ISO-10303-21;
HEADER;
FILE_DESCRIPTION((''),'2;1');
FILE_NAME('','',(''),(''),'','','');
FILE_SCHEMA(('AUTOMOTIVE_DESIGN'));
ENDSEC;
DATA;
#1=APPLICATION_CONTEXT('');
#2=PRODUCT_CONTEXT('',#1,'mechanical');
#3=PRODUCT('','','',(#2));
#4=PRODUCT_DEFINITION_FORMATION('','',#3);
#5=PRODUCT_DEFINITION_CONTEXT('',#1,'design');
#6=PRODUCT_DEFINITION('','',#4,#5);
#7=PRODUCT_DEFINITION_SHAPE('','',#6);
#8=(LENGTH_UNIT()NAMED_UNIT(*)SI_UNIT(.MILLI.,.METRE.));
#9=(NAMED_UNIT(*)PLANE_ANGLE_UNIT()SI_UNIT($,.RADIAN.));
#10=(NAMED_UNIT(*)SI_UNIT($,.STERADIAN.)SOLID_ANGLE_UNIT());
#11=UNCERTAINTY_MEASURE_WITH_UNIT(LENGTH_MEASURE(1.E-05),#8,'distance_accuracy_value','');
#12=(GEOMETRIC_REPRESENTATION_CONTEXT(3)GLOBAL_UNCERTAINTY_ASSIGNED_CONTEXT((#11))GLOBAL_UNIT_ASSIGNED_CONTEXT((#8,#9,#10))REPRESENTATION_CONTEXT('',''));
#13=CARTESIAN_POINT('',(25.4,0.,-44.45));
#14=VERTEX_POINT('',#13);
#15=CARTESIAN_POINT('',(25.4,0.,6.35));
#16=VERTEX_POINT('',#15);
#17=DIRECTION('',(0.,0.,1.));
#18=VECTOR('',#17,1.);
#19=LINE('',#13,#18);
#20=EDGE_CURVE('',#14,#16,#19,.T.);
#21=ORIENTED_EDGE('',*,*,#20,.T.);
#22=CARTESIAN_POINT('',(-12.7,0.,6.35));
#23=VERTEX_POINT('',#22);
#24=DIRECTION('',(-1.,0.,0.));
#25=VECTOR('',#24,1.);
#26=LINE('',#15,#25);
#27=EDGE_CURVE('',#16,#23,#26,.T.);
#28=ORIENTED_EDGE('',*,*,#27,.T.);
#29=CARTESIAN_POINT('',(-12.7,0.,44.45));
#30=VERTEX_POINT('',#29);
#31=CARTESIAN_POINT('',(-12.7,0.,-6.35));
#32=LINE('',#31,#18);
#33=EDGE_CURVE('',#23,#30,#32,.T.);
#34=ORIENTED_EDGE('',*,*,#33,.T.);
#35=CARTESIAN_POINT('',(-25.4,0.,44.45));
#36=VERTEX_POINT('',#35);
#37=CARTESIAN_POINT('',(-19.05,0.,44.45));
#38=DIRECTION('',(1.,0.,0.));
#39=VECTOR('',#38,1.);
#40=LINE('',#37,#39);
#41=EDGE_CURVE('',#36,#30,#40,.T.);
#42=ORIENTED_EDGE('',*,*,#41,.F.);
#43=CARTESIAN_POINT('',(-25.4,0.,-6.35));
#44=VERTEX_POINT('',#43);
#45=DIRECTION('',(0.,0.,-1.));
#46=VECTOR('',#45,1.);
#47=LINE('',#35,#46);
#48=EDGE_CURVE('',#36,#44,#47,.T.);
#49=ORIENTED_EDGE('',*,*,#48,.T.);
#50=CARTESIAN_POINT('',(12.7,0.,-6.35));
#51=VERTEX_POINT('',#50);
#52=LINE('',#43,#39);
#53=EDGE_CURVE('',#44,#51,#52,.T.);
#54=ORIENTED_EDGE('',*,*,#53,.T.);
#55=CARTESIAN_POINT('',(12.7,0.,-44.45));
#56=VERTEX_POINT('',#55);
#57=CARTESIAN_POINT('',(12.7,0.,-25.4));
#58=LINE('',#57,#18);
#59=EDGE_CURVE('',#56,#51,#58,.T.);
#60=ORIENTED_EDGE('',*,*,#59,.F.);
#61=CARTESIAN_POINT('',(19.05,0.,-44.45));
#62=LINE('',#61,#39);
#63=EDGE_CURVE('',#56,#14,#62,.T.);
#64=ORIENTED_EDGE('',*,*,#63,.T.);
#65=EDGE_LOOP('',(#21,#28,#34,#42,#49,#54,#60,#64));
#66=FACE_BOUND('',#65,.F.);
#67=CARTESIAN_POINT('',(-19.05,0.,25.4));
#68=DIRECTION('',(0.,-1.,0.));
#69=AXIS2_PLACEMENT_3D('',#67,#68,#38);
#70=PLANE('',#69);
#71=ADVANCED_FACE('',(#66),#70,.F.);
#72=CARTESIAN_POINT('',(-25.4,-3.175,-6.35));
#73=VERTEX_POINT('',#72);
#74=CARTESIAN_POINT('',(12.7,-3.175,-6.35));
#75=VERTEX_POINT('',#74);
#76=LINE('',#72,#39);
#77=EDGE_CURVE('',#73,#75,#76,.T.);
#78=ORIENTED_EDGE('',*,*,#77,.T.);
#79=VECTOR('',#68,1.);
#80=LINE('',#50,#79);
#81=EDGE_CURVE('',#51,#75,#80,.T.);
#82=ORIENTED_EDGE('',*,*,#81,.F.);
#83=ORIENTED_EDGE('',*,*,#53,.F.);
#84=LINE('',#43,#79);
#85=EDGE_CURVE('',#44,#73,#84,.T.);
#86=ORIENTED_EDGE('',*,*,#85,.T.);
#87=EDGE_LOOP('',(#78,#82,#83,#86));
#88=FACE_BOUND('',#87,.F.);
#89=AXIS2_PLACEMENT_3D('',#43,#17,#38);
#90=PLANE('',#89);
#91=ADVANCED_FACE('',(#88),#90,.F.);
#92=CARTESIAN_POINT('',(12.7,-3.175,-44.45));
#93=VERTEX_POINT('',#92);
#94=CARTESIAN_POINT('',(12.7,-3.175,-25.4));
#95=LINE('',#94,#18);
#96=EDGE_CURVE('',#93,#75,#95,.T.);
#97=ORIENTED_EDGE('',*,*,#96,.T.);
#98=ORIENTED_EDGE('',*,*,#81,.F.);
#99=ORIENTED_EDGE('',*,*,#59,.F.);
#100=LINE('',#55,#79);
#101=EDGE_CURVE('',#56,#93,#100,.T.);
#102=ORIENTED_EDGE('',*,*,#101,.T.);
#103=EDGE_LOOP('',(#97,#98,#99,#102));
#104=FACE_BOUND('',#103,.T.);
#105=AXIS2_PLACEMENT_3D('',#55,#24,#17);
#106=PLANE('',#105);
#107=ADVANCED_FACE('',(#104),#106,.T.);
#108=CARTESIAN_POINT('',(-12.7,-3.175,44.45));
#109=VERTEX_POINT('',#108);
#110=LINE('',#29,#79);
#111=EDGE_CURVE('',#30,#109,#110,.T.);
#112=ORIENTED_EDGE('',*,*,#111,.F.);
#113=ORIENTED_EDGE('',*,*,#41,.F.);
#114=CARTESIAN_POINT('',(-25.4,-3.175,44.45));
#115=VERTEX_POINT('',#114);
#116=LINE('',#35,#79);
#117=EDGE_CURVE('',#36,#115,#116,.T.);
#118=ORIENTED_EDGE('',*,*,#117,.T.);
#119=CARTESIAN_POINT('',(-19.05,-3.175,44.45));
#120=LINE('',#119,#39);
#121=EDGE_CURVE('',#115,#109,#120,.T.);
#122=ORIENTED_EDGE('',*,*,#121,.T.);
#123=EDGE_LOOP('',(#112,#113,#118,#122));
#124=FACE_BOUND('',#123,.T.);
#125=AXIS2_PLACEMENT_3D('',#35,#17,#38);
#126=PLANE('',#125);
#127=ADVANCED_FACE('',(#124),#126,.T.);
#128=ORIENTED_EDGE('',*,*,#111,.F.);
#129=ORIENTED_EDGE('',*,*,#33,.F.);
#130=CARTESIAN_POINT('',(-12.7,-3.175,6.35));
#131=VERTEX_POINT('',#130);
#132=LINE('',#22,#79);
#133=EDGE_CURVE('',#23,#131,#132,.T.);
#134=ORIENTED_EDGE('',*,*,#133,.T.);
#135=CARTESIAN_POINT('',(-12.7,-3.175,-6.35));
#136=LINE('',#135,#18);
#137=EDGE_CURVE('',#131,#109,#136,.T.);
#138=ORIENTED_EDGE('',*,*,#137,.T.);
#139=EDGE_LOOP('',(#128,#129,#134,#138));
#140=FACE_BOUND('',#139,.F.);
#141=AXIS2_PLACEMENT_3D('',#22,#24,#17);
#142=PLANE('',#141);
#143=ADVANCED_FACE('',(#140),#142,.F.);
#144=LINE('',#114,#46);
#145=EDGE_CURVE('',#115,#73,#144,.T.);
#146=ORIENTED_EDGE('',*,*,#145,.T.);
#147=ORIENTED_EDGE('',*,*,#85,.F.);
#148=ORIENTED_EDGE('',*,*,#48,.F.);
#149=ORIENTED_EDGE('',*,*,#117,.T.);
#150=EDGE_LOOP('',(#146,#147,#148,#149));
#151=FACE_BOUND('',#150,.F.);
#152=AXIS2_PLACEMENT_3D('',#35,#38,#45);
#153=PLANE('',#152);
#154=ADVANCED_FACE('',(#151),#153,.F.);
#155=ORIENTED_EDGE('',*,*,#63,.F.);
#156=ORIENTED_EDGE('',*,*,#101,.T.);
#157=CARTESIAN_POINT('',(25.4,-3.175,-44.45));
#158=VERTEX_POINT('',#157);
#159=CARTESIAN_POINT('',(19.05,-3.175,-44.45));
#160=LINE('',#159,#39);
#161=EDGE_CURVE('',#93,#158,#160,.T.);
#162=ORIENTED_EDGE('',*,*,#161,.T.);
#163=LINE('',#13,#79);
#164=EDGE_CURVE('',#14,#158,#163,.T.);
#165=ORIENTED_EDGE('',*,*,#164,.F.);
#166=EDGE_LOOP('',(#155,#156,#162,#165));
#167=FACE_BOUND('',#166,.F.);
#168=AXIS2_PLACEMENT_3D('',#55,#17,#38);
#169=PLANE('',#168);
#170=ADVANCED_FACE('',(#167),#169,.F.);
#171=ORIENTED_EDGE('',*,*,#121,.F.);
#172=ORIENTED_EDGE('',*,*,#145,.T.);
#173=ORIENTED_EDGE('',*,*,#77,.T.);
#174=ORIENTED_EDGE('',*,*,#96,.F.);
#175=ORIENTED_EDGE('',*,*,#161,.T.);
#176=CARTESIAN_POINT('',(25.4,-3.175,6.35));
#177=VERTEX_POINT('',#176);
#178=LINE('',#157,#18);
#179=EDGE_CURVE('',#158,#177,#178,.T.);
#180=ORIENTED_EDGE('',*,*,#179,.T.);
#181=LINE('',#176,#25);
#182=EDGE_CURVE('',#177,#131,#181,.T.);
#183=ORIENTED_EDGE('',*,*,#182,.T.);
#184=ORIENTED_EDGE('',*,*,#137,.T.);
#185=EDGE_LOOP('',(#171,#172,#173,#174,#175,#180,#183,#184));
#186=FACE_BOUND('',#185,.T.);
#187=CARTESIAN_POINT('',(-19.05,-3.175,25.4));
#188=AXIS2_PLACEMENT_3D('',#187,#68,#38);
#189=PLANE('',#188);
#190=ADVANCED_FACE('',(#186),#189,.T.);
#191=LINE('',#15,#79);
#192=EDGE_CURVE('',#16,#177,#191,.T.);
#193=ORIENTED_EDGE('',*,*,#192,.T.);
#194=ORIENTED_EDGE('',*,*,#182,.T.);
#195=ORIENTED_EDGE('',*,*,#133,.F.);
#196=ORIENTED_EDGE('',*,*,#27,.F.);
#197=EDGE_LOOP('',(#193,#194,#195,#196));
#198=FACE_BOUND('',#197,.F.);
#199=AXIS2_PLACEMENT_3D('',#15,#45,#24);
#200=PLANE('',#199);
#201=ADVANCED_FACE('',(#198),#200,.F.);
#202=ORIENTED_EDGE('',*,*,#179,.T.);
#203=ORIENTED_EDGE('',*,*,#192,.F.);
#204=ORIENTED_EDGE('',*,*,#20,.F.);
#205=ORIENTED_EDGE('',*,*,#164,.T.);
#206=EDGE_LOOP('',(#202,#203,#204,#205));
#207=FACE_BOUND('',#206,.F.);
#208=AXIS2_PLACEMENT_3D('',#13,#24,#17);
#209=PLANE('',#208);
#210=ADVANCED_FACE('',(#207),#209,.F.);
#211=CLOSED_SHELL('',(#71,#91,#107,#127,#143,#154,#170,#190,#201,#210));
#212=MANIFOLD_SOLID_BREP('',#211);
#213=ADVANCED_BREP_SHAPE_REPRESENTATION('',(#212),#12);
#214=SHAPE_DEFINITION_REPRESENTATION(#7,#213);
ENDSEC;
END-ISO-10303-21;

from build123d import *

# Parameters (mm, degrees)
F0_W     = 12.7
F0_H     = 38.1
F0_H_2   = 12.7
F0_W_2   = 25.4
F1_DEPTH = 3.175


with BuildPart() as f1:
    # F0 (on Front) → F1 (new body)
    with BuildSketch(Plane.XZ):
        with Locations((-19.05, 25.4)):
            Rectangle(F0_W, F0_H)
        with Locations((-19.05, 0)):
            Rectangle(F0_W, F0_H_2)
        Rectangle(F0_W_2, F0_H_2)
        with Locations((19.05, 0)):
            Rectangle(F0_W, F0_H_2)
        with Locations((19.05, -25.4)):
            Rectangle(F0_W, F0_H)
    extrude(amount=F1_DEPTH)


solid = f1.part
